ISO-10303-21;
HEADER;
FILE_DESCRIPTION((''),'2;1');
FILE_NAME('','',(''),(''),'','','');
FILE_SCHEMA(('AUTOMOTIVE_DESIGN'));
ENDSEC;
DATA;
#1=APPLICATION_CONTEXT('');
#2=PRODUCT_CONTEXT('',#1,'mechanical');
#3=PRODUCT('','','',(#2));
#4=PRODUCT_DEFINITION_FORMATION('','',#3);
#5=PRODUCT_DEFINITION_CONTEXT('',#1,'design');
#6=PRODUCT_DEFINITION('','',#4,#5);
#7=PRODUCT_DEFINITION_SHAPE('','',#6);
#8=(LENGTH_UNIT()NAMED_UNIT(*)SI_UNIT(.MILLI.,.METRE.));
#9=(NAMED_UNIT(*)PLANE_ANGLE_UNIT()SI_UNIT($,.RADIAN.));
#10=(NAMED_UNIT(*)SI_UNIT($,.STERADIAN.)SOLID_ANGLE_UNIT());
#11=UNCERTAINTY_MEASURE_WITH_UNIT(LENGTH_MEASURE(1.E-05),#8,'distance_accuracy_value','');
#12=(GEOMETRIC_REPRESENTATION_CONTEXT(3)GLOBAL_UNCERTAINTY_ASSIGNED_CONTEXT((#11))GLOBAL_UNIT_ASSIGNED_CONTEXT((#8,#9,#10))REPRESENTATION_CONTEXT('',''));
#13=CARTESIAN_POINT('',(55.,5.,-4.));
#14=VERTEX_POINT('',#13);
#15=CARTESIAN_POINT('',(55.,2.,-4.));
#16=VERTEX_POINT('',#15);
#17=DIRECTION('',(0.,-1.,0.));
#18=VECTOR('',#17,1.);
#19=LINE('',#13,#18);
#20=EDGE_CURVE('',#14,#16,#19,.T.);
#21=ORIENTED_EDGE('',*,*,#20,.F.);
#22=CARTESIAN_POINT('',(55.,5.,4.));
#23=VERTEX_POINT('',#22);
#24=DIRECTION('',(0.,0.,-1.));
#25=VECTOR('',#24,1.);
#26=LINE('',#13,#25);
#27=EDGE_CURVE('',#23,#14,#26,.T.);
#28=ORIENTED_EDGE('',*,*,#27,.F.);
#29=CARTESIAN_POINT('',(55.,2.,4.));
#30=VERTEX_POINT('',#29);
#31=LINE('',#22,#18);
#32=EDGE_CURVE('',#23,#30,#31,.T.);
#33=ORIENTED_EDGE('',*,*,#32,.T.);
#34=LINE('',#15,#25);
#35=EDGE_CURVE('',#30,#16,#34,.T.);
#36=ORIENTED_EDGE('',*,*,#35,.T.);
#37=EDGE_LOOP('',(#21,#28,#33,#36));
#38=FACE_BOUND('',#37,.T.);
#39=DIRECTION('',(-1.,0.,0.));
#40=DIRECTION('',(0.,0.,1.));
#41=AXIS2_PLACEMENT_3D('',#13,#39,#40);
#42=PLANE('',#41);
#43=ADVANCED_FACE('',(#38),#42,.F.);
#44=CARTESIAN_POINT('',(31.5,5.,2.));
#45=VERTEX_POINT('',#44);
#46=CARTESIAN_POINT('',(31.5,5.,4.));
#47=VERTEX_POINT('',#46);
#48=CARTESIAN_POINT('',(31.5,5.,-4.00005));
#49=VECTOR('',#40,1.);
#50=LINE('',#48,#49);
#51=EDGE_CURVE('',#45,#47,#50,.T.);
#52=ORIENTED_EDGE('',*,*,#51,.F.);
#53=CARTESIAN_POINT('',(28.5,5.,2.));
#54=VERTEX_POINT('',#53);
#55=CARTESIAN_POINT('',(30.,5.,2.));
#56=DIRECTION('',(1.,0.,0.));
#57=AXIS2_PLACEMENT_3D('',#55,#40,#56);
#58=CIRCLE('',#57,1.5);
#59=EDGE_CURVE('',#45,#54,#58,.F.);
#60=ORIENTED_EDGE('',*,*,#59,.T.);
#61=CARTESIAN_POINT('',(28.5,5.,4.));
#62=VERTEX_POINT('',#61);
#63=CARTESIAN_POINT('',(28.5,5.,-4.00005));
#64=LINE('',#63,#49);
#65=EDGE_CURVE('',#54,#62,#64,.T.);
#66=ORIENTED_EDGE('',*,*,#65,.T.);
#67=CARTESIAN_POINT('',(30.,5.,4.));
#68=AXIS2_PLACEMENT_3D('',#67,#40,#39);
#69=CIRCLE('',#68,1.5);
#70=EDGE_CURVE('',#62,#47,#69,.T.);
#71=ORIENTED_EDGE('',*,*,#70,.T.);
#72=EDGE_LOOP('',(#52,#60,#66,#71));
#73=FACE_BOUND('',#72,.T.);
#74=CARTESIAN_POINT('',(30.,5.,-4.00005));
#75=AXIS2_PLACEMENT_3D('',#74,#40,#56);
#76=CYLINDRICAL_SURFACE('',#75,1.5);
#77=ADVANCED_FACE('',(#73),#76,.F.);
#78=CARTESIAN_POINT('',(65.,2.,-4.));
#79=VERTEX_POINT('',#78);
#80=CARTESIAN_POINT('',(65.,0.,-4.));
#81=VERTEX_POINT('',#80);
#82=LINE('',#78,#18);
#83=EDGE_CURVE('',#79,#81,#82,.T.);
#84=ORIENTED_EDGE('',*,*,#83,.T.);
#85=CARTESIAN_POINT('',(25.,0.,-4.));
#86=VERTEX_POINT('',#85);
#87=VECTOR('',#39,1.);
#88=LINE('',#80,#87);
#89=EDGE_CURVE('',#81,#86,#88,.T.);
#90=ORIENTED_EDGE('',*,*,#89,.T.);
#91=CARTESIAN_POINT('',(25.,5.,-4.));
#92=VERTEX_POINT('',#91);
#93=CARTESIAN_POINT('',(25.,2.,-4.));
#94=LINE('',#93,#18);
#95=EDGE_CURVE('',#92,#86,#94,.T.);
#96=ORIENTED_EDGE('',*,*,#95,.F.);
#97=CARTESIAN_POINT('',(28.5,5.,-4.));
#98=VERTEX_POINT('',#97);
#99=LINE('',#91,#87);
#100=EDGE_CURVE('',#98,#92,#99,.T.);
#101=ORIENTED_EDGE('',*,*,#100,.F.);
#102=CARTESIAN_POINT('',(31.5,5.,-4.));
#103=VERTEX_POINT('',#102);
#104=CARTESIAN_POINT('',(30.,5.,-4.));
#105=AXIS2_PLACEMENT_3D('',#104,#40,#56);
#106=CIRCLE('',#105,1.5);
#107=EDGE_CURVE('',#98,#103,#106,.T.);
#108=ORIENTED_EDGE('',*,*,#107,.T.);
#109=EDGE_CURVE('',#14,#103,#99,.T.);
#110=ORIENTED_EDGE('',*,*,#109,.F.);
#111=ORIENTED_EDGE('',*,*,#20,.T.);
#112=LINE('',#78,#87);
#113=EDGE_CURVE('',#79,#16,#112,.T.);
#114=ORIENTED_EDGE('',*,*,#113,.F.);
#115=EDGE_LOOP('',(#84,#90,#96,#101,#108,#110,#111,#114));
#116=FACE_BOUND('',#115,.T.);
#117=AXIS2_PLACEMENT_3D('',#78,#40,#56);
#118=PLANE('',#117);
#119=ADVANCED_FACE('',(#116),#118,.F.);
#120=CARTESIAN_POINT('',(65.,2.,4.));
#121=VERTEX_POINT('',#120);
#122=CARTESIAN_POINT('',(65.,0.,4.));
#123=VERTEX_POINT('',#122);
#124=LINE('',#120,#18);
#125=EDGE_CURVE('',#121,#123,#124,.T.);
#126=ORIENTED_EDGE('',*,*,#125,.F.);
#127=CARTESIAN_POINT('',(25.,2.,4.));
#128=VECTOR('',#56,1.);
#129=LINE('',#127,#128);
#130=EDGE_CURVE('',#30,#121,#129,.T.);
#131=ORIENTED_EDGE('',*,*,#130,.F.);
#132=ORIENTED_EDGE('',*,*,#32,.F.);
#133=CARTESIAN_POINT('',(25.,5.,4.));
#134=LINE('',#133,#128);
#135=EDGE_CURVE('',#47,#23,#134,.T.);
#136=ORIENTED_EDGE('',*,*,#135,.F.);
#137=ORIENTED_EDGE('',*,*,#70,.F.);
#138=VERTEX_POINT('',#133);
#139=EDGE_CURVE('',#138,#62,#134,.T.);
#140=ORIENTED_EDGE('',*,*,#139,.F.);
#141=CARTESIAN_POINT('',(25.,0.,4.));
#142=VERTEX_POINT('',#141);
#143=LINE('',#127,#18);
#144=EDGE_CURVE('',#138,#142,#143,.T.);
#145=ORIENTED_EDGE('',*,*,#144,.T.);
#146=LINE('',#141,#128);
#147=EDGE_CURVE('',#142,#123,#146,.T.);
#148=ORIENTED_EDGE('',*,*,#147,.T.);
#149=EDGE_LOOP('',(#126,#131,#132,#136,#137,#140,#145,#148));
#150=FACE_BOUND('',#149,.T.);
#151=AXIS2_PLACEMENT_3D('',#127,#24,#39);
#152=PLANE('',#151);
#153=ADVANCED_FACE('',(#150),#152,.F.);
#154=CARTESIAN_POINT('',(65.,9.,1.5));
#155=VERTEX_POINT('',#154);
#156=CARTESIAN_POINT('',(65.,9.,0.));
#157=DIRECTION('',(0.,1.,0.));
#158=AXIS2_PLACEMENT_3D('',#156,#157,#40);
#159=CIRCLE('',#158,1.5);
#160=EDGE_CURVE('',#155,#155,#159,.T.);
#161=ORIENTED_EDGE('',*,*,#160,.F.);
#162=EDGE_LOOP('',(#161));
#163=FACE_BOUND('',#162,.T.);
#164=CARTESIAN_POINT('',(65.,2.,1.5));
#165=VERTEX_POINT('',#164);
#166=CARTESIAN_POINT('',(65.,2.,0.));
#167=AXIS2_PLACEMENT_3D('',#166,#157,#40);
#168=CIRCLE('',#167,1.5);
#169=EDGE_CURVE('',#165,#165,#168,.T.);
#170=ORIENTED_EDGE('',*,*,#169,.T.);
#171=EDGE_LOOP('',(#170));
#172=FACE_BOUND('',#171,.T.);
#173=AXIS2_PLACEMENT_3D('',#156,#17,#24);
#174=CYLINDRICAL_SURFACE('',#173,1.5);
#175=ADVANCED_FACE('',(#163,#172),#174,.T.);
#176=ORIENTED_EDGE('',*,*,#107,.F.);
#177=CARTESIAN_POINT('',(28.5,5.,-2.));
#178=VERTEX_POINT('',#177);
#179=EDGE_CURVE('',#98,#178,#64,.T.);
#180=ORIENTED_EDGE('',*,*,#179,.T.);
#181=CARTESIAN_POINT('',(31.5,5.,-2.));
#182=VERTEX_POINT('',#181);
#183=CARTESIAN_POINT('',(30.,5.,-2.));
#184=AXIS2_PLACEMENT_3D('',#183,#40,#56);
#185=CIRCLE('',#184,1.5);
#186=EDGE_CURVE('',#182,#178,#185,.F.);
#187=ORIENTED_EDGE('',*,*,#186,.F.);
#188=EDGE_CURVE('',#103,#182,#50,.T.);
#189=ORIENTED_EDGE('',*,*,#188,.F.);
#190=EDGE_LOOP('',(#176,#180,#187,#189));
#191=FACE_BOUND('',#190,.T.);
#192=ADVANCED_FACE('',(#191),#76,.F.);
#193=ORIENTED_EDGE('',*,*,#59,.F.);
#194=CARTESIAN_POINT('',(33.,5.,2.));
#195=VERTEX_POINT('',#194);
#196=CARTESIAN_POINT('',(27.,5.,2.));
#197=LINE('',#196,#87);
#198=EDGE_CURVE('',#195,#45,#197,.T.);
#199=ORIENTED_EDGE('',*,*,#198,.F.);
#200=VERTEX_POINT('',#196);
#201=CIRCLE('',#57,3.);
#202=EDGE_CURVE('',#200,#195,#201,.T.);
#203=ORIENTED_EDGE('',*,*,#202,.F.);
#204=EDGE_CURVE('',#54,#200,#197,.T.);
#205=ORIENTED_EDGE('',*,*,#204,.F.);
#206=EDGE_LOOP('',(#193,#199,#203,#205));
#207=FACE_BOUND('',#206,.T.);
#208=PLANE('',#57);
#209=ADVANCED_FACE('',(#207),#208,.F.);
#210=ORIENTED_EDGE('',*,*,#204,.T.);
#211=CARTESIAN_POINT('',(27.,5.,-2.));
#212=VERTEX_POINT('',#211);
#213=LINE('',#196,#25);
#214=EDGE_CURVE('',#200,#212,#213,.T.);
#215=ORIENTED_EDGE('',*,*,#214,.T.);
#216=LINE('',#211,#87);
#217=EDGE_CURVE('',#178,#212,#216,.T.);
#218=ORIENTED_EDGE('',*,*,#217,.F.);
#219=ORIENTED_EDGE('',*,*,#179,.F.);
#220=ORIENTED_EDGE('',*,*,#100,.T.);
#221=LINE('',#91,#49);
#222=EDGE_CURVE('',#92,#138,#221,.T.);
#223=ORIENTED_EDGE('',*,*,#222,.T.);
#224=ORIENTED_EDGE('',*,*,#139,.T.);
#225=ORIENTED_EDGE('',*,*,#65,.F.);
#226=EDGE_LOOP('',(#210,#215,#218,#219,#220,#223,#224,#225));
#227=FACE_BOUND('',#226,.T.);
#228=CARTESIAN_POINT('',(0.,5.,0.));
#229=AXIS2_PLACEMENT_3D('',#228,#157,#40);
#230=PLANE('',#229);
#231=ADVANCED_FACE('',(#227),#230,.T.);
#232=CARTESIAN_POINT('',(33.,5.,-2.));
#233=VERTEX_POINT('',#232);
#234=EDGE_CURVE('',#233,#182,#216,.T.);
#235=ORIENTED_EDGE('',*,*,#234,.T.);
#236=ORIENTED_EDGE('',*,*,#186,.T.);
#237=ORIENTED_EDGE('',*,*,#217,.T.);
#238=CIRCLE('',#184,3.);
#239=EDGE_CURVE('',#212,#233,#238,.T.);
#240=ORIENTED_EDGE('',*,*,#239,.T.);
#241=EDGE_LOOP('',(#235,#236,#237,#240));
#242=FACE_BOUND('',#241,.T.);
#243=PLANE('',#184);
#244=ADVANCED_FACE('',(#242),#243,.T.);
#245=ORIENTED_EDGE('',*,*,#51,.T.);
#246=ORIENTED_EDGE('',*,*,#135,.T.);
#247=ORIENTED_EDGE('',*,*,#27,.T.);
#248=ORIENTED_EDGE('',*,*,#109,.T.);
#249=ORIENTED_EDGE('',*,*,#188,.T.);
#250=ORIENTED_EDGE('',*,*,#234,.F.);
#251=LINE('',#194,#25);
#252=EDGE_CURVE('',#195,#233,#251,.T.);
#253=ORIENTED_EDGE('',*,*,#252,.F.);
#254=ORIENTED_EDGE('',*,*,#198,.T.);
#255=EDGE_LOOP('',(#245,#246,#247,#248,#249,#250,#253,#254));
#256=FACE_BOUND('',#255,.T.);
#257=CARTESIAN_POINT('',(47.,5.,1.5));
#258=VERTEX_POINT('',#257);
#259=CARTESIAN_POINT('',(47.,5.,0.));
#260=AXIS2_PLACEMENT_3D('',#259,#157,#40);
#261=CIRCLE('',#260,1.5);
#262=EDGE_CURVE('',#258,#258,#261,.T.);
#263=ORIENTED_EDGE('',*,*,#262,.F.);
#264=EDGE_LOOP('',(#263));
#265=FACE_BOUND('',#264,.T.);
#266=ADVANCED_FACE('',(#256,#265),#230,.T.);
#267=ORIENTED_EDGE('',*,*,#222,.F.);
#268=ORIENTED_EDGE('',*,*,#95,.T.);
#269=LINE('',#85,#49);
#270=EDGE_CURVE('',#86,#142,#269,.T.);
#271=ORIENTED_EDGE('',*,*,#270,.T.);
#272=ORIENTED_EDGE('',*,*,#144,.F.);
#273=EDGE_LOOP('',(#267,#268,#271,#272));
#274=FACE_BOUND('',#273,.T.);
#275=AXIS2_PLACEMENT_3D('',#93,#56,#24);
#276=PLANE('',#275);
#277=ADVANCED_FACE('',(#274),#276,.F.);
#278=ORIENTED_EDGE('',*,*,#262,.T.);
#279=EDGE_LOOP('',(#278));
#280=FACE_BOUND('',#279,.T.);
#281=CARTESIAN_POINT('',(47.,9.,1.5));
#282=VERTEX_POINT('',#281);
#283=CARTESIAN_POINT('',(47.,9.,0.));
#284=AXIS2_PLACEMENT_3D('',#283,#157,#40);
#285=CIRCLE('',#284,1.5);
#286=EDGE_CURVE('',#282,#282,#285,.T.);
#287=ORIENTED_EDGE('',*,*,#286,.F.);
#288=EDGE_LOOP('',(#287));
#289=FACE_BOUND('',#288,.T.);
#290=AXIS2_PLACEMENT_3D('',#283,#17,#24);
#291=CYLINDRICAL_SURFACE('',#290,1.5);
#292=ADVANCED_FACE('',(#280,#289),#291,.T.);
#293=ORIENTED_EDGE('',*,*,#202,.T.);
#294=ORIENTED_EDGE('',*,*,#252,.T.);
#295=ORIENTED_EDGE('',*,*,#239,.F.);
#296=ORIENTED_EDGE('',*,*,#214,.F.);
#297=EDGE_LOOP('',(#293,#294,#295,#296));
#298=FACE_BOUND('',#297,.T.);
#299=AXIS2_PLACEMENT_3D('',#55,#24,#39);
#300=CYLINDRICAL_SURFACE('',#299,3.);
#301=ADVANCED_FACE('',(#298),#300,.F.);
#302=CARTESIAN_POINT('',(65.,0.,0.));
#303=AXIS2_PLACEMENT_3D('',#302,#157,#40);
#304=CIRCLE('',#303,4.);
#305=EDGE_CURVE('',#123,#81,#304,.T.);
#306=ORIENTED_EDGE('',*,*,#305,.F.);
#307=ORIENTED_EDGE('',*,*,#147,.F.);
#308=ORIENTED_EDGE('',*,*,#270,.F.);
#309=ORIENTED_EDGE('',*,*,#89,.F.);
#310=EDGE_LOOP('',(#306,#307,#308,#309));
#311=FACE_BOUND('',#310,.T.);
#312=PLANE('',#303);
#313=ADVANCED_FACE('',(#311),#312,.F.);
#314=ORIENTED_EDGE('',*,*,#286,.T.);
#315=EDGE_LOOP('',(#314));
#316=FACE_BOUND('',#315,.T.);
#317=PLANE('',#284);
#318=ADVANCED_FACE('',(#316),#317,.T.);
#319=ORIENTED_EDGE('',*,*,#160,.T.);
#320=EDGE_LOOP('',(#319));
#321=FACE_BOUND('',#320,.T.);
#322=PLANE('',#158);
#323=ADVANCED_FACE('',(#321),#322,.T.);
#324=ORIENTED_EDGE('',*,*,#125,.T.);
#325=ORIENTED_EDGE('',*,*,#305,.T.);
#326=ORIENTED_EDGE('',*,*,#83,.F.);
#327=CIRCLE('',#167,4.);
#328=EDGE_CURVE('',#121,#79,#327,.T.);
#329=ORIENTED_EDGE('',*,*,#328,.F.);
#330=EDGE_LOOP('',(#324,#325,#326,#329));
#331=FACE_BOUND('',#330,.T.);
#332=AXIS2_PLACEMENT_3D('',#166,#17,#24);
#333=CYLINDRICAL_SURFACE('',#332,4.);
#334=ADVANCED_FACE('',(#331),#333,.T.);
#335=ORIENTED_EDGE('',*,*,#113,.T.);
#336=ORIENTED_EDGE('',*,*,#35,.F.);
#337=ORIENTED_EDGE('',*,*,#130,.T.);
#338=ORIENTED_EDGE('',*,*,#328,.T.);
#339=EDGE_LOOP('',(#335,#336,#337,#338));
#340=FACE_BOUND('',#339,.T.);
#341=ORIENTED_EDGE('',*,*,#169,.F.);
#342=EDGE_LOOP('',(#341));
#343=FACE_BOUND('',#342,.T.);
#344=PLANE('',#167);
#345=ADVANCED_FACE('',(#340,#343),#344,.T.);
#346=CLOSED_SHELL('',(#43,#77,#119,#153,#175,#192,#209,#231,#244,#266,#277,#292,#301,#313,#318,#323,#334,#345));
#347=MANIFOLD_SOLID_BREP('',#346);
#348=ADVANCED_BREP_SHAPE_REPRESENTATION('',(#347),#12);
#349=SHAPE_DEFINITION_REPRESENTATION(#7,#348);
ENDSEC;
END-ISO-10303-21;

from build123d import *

# Parameters (mm, degrees)
BOSS_EXTRUDE2_DEPTH     = 2
SKETCH3_W               = 30
SKETCH3_H               = 8
BOSS_EXTRUDE3_DEPTH     = 3
SKETCH4_R               = 1.5
BOSS_EXTRUDE4_DEPTH     = 7
SKETCH12_R              = 1.5
BOSS_EXTRUDE6_DEPTH     = 4
CUT_EXTRUDE1_DEPTH      = 71.042844031
CUT_EXTRUDE2_DEPTH      = 2
CUT_EXTRUDE2_DEPTH_BACK = 2


with BuildPart() as part:
    # Sketch1 → Boss-Extrude2 (new body)
    with BuildSketch(Plane(origin=(0, 0, 0), x_dir=(1, 0, 0), z_dir=(0, 1, 0))):
        with BuildLine():
            Line((25, -4), (65, -4))
            ThreePointArc((65, -4), (69, 0), (65, 4))
            Line((65, 4), (25, 4))
            Line((25, 4), (25, -4))
        make_face()
    extrude(amount=BOSS_EXTRUDE2_DEPTH)

    # Sketch3 → Boss-Extrude3 (add)
    with BuildSketch(Plane(origin=(0, 2, 0), x_dir=(1, 0, 0), z_dir=(0, 1, 0))):
        with Locations((40, 0)):
            Rectangle(SKETCH3_W, SKETCH3_H)
    extrude(amount=BOSS_EXTRUDE3_DEPTH)

    # Sketch4 → Boss-Extrude4 (add)
    with BuildSketch(Plane(origin=(0, 2, 0), x_dir=(1, 0, 0), z_dir=(0, 1, 0))):
        with Locations(Location((65, 0, 0), (0, 0, 270))):
            Circle(SKETCH4_R)
    extrude(amount=BOSS_EXTRUDE4_DEPTH)

    # Sketch12 → Boss-Extrude6 (add)
    with BuildSketch(Plane(origin=(0, 5, 0), x_dir=(1, 0, 0), z_dir=(0, 1, 0))):
        with Locations(Location((47, 0, 0), (0, 0, 270))):
            Circle(SKETCH12_R)
    extrude(amount=BOSS_EXTRUDE6_DEPTH)

    # Sketch13 → Cut-Extrude1 (cut, through all)
    with BuildSketch(Plane.XY.offset(4)):
        with BuildLine():
            Line((31.5, 5), (28.5, 5))
            ThreePointArc((28.5, 5), (30, 3.5), (31.5, 5))
        make_face()
    extrude(amount=-CUT_EXTRUDE1_DEPTH, mode=Mode.SUBTRACT)

    # Sketch14 → Cut-Extrude2 (cut, two sides: drawn at the far end of the back side and taken through both)
    with BuildSketch(Plane.XY.offset(-CUT_EXTRUDE2_DEPTH_BACK)):
        with BuildLine():
            Line((27, 5), (33, 5))
            ThreePointArc((33, 5), (30, 2), (27, 5))
        make_face()
    extrude(amount=CUT_EXTRUDE2_DEPTH + CUT_EXTRUDE2_DEPTH_BACK, mode=Mode.SUBTRACT)


solid = part.part
